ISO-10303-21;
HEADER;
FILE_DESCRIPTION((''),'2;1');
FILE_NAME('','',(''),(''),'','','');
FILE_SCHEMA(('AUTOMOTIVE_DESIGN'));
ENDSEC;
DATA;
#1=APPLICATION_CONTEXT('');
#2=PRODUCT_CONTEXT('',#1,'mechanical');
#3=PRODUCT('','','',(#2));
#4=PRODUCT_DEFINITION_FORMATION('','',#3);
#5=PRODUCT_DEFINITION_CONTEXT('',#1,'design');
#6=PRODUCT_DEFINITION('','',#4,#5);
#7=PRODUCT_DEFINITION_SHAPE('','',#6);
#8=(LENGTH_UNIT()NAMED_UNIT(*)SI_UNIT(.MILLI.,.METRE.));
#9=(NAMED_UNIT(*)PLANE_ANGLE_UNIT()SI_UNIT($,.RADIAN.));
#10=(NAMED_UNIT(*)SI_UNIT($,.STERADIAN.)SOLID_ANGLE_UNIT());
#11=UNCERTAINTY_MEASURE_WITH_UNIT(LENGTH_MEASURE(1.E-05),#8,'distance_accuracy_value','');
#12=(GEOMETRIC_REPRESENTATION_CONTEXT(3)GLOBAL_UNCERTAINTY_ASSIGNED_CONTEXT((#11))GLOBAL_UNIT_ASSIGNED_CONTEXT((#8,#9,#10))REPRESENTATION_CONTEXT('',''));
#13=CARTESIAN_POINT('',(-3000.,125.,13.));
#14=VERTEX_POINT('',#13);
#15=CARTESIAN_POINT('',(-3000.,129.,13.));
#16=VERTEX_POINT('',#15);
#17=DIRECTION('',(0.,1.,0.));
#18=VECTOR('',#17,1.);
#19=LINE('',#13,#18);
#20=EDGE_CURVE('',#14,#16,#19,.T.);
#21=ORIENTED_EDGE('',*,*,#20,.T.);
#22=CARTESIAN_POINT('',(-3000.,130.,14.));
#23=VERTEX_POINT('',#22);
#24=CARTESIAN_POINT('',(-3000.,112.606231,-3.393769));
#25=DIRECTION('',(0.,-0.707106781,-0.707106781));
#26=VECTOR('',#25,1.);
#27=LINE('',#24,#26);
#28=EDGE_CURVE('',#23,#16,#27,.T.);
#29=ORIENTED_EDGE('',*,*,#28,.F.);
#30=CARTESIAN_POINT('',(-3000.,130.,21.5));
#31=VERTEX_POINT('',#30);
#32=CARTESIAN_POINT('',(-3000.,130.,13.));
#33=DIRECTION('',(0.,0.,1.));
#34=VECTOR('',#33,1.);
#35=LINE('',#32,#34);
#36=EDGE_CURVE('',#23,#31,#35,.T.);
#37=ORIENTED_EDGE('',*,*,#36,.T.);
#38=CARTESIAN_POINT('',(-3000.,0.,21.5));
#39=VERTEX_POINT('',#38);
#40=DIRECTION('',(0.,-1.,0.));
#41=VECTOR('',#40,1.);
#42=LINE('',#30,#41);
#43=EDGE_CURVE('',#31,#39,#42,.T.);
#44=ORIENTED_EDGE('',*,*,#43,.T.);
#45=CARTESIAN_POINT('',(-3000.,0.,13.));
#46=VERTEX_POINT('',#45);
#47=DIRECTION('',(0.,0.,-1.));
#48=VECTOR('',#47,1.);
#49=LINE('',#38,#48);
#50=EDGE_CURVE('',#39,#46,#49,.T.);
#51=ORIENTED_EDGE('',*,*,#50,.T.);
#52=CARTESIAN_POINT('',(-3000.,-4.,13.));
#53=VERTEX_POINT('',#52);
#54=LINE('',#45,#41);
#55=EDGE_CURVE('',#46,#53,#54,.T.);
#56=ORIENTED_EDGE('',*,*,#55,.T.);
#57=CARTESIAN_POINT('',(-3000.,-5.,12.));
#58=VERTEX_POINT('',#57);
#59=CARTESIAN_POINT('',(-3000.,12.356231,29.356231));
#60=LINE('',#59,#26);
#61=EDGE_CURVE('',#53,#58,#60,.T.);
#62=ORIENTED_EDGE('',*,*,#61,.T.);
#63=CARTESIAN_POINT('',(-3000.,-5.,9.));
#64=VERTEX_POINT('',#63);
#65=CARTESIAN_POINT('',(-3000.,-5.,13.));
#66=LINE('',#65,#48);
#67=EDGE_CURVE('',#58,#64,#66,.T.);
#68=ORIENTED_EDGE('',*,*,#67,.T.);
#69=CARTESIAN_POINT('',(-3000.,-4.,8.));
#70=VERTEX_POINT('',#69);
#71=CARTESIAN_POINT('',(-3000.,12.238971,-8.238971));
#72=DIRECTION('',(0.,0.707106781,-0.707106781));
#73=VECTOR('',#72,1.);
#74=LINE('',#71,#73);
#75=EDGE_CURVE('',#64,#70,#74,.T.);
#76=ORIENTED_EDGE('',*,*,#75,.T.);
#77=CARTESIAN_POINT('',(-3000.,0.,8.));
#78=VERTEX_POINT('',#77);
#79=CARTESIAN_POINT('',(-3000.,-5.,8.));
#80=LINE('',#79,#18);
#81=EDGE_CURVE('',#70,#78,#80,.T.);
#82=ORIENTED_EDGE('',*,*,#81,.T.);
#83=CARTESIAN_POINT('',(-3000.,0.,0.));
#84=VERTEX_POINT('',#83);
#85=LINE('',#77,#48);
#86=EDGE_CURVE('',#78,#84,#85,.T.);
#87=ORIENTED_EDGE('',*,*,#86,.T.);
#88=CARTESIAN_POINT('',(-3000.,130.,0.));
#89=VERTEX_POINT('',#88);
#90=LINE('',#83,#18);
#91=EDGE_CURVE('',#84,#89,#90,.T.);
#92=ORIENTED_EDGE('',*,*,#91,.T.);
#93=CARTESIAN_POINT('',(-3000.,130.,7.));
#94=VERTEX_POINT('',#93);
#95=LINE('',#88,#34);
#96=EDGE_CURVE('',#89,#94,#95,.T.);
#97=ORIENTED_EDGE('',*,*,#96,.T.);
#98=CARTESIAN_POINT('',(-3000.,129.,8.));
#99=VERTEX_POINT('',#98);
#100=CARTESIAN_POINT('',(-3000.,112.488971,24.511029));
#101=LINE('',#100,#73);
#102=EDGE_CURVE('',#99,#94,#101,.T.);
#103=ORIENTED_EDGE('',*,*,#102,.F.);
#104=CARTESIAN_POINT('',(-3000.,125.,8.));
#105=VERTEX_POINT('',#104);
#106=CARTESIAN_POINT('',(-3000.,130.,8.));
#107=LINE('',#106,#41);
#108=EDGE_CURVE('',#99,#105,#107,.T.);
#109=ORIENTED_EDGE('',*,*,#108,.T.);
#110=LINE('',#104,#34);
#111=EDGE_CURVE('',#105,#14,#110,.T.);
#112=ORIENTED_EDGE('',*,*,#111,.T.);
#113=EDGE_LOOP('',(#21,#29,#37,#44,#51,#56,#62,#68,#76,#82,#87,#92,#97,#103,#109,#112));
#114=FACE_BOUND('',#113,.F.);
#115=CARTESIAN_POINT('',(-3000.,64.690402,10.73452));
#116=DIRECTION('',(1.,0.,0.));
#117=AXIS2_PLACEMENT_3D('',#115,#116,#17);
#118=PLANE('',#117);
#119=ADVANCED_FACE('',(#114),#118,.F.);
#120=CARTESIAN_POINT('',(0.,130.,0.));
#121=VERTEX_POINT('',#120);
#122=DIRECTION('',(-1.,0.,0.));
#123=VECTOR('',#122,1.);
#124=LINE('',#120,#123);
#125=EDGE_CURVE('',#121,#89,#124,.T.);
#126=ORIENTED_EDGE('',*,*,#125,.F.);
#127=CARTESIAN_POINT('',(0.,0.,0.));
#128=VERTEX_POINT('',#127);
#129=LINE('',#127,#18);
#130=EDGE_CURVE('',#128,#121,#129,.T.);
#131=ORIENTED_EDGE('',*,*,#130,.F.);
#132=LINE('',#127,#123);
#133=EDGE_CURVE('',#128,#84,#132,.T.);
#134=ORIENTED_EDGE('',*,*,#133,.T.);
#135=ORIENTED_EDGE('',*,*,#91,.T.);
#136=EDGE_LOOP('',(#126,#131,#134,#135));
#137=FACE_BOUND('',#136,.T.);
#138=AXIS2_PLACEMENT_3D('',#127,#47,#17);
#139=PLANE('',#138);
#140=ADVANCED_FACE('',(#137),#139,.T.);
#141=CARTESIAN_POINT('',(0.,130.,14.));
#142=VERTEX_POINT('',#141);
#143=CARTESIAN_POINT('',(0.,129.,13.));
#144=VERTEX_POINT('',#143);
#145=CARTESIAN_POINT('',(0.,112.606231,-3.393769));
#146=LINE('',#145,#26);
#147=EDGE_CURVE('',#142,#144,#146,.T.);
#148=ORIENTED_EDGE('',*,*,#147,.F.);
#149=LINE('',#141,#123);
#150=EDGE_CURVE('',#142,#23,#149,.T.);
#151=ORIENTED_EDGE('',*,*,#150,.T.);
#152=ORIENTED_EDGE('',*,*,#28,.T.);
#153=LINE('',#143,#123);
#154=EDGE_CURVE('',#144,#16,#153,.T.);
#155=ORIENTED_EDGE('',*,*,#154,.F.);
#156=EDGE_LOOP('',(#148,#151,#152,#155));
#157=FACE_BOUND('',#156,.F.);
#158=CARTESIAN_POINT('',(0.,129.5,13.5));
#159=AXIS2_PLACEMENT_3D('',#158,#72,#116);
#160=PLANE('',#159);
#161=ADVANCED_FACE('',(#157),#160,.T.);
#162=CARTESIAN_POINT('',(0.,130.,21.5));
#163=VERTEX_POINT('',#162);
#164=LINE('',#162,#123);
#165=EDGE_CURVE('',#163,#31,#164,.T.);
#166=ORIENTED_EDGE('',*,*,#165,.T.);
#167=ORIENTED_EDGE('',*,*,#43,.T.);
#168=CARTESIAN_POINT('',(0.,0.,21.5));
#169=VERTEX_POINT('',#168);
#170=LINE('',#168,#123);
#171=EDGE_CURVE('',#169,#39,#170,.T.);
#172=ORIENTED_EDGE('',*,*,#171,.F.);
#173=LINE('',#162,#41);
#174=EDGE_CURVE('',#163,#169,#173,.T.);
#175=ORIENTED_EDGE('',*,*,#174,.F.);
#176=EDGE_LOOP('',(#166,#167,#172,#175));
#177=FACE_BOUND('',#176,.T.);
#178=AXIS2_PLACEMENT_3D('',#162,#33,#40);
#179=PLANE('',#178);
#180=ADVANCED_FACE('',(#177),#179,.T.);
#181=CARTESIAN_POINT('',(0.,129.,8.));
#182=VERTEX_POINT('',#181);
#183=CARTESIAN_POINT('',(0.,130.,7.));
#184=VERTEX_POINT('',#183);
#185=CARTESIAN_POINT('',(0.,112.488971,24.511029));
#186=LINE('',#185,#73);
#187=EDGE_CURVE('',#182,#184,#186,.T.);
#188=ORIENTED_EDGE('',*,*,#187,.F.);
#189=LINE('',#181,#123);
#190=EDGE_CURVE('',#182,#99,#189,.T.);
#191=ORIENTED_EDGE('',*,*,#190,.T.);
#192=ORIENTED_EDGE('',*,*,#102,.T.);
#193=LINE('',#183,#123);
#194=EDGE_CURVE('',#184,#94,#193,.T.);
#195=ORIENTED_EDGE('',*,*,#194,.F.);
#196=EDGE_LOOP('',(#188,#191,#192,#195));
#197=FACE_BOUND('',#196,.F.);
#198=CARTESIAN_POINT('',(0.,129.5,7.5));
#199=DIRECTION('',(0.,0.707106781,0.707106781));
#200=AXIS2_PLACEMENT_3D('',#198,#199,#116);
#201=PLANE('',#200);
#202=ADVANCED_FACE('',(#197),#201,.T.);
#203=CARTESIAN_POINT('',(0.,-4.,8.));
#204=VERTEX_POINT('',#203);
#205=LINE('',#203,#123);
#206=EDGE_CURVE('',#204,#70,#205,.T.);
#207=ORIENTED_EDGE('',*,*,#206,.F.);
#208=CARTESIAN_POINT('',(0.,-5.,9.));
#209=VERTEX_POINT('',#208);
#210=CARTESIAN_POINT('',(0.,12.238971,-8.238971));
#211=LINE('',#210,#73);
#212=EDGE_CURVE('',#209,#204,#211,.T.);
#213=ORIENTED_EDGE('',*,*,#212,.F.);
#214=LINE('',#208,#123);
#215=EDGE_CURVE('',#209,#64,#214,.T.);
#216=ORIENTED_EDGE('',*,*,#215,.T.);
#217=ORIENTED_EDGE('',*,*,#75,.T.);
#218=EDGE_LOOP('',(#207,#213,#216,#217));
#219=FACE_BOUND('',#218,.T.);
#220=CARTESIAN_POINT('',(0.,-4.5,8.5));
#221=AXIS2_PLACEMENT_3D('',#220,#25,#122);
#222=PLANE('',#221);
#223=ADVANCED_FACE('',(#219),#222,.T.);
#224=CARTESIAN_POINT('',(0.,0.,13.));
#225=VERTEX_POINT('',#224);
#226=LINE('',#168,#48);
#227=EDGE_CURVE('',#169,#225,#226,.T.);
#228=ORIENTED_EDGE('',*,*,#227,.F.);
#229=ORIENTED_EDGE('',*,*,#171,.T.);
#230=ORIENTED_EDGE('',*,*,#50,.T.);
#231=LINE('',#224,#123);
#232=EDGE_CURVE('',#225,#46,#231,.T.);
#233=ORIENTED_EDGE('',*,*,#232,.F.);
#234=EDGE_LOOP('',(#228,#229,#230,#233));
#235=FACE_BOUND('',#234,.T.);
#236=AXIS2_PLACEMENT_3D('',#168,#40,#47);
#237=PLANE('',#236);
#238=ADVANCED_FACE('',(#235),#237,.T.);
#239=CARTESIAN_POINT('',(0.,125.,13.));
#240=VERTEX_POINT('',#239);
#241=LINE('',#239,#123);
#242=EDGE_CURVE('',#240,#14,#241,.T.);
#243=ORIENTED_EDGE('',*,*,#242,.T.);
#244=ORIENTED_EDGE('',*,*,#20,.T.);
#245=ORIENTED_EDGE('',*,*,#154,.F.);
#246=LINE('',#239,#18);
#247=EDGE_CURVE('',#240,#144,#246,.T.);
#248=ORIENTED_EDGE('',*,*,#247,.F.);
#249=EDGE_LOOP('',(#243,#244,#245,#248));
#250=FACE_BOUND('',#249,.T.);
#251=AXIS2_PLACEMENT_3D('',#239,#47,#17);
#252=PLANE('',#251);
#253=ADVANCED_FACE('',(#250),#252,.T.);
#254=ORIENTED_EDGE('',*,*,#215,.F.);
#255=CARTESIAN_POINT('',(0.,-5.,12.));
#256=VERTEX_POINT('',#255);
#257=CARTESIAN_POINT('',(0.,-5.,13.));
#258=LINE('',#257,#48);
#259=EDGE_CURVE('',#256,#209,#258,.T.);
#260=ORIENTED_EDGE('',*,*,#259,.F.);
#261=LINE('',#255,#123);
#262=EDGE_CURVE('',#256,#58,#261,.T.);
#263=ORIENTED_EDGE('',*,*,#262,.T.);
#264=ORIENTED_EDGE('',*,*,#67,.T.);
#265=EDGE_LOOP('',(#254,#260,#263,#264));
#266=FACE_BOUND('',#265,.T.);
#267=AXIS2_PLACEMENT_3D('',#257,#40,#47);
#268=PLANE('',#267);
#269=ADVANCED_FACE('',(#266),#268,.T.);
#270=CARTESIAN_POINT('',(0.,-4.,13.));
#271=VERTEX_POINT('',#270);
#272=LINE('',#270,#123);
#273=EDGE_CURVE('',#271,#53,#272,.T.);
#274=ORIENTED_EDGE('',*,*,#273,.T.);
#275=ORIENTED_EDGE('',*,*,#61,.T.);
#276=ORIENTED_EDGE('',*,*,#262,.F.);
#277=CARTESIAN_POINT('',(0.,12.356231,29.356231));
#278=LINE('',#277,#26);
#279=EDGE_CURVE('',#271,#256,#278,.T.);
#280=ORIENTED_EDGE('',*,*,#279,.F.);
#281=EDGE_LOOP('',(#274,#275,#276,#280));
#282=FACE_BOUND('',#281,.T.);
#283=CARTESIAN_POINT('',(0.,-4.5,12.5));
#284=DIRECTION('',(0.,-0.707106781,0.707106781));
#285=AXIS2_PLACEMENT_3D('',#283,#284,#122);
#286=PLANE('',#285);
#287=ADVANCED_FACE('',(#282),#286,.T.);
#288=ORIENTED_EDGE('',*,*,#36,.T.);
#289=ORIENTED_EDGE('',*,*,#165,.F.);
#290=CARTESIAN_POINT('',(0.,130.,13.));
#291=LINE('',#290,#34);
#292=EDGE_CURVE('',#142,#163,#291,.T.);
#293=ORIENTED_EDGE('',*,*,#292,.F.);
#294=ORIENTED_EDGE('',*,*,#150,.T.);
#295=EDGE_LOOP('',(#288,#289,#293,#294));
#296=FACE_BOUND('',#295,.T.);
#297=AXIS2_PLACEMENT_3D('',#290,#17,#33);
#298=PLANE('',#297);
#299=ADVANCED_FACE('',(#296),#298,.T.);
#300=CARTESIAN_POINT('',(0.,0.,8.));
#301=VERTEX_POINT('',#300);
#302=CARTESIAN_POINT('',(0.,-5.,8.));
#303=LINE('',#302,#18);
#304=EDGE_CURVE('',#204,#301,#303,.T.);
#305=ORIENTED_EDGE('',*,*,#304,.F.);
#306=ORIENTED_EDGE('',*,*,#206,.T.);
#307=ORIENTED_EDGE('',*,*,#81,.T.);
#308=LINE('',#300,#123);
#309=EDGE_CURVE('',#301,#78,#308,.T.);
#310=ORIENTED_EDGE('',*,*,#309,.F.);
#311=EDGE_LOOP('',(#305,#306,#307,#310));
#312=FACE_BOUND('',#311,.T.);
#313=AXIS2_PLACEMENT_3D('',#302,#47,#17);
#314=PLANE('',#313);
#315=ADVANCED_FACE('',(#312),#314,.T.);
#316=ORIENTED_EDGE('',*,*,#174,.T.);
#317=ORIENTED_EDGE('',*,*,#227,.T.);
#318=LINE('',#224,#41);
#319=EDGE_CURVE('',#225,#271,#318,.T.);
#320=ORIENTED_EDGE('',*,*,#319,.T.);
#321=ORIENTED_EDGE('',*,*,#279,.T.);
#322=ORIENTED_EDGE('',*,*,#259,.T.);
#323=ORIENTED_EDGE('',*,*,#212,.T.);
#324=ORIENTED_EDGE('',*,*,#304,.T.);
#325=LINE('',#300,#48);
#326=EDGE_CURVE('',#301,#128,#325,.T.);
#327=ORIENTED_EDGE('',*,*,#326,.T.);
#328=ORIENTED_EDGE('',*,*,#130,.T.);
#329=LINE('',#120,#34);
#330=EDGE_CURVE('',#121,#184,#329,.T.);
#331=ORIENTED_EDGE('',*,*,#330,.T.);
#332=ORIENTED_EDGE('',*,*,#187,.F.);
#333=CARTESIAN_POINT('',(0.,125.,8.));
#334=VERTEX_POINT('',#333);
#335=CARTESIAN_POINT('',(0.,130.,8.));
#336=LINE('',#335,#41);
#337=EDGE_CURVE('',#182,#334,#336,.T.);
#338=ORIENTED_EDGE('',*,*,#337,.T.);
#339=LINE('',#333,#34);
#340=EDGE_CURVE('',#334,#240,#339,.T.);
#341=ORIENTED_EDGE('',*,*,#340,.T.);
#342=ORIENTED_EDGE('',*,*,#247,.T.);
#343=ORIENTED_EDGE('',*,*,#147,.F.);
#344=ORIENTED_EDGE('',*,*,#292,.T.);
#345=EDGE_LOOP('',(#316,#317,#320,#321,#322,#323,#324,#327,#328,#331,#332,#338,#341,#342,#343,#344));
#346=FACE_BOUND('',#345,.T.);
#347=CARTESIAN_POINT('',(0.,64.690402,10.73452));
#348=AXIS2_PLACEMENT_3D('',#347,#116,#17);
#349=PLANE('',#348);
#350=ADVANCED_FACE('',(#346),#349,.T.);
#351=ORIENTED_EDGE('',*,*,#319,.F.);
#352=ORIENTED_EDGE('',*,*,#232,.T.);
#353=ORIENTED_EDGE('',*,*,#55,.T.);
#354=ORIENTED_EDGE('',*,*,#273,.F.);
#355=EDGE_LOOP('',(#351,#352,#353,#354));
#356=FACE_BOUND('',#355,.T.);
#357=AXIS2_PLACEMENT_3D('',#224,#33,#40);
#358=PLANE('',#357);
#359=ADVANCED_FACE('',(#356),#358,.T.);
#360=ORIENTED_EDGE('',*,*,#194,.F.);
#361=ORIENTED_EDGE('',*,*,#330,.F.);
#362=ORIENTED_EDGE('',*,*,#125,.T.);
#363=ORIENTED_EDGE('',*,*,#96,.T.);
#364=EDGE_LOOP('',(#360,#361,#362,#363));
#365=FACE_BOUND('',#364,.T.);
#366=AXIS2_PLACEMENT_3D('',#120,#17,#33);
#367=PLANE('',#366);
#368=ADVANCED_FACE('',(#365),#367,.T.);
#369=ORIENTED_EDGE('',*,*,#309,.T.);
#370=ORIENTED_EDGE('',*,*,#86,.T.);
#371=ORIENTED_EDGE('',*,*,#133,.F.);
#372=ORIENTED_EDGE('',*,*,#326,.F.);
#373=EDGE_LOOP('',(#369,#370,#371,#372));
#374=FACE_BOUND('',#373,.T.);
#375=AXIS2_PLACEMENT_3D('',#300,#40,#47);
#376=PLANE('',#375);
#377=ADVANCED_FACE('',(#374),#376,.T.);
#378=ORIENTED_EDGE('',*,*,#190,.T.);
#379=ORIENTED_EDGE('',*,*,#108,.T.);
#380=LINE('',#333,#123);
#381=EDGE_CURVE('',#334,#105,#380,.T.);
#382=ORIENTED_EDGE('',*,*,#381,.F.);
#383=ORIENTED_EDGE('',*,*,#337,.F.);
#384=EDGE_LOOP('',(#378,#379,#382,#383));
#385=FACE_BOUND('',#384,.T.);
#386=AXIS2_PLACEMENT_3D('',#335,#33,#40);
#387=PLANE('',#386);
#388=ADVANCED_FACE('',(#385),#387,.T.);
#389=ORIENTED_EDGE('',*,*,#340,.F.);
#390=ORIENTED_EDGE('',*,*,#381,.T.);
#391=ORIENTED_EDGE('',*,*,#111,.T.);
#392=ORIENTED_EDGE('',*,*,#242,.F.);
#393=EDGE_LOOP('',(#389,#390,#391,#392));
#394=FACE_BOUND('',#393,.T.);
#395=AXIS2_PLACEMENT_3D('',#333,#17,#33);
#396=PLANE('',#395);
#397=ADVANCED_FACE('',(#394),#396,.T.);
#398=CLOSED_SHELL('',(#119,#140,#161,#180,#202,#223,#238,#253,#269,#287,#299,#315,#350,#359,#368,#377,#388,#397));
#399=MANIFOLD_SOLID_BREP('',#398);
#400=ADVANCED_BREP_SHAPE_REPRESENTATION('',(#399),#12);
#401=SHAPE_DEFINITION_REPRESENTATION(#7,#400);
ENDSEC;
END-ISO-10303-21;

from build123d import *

# Parameters (mm, degrees)
F1_DEPTH = 3000
F2_SIZE  = 1
F3_SIZE  = 1


with BuildPart() as f1:
    # F0 (on Right) → F1 (new body)
    with BuildSketch(Plane.YZ):
        Polygon((0, 8), (0, 0), (130, 0), (130, 8), (125, 8), (125, 13), (130, 13), (130, 21.5), (0, 21.5), (0, 13), (-5, 13), (-5, 8), align=None)
    extrude(amount=-F1_DEPTH)

    # F2
    f2_edges = [f1.edges().sort_by_distance(p)[0] for p in [
        (-1500, -5, 13),
        (-1500, -5, 8),
    ]]
    chamfer(f2_edges, length=F2_SIZE)

    # F3
    f3_edges = [f1.edges().sort_by_distance(p)[0] for p in [
        (-1500, 130, 8),
        (-1500, 130, 13),
    ]]
    chamfer(f3_edges, length=F3_SIZE)


solid = f1.part
